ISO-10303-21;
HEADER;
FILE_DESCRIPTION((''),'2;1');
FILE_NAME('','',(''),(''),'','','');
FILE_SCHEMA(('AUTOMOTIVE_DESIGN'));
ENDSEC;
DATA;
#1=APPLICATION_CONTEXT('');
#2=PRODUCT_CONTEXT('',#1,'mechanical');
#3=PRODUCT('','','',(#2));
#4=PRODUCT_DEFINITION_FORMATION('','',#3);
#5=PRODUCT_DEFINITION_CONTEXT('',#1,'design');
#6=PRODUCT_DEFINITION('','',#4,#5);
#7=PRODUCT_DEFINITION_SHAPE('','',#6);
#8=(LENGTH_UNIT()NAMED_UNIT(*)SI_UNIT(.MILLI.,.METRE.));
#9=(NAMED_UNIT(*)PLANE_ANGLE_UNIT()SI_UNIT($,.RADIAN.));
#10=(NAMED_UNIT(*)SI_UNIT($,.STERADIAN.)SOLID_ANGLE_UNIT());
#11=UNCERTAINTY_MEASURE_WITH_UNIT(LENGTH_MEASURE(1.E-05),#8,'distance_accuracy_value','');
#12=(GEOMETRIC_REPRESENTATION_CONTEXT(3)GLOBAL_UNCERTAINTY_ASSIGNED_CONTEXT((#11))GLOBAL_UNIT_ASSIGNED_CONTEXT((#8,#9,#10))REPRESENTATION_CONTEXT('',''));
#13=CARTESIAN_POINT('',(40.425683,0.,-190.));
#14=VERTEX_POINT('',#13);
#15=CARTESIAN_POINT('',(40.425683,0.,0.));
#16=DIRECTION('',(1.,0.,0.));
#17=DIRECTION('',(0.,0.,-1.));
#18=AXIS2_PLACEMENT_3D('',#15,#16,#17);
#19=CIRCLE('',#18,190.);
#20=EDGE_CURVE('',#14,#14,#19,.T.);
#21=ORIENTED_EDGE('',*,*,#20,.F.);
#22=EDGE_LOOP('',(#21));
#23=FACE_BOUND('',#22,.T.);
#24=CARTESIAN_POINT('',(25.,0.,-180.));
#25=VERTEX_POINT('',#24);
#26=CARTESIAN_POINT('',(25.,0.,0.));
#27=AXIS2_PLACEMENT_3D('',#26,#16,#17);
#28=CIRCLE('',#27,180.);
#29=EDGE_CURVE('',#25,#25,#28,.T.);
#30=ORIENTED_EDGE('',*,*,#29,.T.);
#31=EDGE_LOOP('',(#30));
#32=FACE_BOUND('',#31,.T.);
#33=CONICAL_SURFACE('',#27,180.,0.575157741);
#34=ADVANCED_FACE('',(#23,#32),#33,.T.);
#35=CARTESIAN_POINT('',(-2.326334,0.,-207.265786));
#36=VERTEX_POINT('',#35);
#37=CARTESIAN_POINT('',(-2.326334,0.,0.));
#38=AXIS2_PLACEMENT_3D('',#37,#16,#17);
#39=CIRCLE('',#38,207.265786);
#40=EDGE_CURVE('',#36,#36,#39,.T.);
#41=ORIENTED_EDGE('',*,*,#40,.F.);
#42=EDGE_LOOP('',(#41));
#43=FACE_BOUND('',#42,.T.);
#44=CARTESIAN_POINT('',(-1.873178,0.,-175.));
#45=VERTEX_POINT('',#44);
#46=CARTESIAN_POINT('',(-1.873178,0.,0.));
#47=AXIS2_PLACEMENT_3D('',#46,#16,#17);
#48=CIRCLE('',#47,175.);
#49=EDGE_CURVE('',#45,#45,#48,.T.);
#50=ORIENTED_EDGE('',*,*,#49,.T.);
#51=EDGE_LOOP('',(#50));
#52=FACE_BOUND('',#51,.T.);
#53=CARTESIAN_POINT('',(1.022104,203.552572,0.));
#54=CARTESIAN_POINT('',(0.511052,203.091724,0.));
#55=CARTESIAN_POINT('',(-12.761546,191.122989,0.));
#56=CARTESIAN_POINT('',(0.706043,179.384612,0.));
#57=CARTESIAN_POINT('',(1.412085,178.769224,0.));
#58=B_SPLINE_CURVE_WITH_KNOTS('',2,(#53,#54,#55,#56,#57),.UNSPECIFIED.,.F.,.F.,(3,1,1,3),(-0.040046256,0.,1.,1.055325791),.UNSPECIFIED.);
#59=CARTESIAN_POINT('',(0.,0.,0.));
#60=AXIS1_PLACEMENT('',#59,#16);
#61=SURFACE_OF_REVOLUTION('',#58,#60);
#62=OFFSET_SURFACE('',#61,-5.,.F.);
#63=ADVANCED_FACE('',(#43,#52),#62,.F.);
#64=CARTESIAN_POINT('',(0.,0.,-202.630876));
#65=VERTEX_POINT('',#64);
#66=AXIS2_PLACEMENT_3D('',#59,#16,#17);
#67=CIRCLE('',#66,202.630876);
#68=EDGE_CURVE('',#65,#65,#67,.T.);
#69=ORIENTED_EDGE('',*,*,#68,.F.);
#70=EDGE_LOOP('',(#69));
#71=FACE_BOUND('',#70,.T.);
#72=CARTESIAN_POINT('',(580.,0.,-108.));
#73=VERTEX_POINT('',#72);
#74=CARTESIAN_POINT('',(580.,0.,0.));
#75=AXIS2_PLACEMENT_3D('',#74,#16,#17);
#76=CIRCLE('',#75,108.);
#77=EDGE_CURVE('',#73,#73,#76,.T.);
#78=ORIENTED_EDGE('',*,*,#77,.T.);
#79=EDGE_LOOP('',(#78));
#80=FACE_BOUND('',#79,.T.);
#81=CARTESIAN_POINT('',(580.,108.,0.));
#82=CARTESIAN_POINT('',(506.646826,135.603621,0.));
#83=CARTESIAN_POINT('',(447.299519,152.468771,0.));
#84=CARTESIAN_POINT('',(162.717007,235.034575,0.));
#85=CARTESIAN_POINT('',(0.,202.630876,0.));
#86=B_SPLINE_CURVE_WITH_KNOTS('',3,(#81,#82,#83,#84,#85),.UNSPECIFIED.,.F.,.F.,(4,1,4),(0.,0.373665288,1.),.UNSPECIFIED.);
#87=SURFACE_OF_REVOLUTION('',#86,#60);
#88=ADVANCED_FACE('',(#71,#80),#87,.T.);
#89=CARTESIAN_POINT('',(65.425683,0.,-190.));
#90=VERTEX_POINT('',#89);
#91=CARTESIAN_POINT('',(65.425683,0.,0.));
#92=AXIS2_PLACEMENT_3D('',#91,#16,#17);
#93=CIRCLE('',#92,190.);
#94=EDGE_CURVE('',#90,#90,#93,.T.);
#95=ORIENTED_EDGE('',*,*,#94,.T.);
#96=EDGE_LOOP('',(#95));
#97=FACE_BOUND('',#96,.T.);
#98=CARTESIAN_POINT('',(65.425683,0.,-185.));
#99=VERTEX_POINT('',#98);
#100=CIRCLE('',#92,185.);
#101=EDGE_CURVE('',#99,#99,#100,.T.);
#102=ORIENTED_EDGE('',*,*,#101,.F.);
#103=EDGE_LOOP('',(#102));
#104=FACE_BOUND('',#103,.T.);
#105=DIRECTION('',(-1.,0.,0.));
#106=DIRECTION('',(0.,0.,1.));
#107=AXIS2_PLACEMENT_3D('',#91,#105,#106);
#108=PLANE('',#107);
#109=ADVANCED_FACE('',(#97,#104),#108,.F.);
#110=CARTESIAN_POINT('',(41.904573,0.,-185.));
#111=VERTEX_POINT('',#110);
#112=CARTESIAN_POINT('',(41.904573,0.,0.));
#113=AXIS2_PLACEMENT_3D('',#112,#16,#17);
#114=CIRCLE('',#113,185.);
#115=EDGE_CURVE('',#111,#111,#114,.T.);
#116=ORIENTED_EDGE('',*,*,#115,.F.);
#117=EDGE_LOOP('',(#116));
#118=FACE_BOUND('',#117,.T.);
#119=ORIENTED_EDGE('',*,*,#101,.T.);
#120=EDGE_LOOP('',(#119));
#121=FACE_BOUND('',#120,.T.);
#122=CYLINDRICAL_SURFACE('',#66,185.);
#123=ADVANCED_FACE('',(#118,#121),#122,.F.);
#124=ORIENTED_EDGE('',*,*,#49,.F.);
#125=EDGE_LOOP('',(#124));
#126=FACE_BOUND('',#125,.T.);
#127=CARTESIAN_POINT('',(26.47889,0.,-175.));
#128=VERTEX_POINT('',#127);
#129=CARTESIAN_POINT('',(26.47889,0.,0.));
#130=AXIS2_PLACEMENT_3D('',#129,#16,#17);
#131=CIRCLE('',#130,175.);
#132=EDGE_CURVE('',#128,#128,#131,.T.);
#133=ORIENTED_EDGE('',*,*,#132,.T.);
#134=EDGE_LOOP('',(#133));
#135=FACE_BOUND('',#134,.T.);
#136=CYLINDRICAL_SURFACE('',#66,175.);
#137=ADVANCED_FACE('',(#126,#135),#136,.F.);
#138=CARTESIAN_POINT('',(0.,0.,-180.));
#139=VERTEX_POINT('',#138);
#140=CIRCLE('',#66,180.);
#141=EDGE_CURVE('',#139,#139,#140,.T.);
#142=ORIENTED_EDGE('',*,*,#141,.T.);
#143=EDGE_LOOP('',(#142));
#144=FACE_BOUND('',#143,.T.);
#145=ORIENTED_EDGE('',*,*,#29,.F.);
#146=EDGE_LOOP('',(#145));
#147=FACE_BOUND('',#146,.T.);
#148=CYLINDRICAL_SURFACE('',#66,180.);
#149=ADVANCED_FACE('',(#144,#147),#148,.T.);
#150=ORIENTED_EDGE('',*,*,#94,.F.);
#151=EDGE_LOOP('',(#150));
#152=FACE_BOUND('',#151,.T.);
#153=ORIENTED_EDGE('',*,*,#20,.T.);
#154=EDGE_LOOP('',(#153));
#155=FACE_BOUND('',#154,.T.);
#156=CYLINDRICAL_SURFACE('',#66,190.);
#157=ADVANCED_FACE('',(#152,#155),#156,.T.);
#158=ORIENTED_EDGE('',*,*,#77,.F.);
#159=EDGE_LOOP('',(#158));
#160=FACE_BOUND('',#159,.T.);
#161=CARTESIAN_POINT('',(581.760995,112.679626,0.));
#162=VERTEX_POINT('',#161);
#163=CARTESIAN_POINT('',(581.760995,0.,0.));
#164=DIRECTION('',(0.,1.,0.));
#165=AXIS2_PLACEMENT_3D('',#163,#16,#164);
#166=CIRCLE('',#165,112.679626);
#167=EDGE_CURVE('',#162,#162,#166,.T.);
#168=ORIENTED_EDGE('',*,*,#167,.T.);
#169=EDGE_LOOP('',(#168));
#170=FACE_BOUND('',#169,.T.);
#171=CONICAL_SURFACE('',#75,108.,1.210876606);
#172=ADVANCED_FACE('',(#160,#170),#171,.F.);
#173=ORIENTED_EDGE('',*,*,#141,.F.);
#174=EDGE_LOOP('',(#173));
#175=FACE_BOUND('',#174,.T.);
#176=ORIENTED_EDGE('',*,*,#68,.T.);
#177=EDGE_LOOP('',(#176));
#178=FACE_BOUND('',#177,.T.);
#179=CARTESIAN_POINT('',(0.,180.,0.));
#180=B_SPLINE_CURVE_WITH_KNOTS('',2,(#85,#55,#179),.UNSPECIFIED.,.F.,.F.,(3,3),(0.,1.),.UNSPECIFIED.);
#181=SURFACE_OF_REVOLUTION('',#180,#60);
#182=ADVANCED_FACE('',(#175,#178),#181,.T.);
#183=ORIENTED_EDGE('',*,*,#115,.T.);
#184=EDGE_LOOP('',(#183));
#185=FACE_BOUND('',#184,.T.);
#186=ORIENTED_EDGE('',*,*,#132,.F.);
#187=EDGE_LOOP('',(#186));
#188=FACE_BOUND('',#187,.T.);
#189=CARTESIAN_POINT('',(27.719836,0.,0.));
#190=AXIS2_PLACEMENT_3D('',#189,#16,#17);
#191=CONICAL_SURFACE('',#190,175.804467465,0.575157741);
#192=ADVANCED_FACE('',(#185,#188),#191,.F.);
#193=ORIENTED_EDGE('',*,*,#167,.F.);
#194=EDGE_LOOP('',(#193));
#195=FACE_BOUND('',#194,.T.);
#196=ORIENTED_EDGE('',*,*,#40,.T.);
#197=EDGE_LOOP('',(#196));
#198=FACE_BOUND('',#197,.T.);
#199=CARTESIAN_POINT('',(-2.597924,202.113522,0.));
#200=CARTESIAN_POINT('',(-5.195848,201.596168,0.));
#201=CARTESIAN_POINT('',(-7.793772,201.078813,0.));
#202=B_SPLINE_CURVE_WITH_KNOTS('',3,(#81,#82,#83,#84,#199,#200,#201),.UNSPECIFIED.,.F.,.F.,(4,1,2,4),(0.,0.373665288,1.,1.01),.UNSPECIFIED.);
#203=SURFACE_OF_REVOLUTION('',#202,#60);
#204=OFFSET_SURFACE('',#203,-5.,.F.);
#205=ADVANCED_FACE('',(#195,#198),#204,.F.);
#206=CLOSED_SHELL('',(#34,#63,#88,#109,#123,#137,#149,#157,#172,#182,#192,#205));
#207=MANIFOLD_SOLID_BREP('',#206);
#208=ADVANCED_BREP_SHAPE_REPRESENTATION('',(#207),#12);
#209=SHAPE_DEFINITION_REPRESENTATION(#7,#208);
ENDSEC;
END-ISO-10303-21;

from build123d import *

# Parameters (mm, degrees)
THICKEN1_T1 = 5


with BuildPart() as body_1:
    # Surface-Revolve1: a surface, the sketch's curves turned about an axis
    with BuildLine(Plane.XY, mode=Mode.PRIVATE) as surface_revolve1_1_path:
        Line((65.425683209, 190), (40.425683209, 190))
        Line((40.425683209, 190), (25, 180))
        Line((25, 180), (0, 180))
        add(Edge.make_bspline(
            [(0, 180), (-12.761545779, 191.122989411), (0, 202.630876458)],
            knots=[0, 0, 0, 1, 1, 1], degree=2))
        add(Edge.make_bspline(
            [(0, 202.630876458), (162.717006582, 235.034574592), (447.29951891, 152.468770908), (506.646826016, 135.603621005), (580, 108)],
            knots=[0, 0, 0, 0, 0.626334712, 1, 1, 1, 1], degree=3))
    surface_revolve1_1 = Shell.revolve(surface_revolve1_1_path.wire(), 360, Axis((0, 0, 0), (1, 0, 0)))
    add(Solid.thicken(surface_revolve1_1, THICKEN1_T1))


solid = body_1.part
